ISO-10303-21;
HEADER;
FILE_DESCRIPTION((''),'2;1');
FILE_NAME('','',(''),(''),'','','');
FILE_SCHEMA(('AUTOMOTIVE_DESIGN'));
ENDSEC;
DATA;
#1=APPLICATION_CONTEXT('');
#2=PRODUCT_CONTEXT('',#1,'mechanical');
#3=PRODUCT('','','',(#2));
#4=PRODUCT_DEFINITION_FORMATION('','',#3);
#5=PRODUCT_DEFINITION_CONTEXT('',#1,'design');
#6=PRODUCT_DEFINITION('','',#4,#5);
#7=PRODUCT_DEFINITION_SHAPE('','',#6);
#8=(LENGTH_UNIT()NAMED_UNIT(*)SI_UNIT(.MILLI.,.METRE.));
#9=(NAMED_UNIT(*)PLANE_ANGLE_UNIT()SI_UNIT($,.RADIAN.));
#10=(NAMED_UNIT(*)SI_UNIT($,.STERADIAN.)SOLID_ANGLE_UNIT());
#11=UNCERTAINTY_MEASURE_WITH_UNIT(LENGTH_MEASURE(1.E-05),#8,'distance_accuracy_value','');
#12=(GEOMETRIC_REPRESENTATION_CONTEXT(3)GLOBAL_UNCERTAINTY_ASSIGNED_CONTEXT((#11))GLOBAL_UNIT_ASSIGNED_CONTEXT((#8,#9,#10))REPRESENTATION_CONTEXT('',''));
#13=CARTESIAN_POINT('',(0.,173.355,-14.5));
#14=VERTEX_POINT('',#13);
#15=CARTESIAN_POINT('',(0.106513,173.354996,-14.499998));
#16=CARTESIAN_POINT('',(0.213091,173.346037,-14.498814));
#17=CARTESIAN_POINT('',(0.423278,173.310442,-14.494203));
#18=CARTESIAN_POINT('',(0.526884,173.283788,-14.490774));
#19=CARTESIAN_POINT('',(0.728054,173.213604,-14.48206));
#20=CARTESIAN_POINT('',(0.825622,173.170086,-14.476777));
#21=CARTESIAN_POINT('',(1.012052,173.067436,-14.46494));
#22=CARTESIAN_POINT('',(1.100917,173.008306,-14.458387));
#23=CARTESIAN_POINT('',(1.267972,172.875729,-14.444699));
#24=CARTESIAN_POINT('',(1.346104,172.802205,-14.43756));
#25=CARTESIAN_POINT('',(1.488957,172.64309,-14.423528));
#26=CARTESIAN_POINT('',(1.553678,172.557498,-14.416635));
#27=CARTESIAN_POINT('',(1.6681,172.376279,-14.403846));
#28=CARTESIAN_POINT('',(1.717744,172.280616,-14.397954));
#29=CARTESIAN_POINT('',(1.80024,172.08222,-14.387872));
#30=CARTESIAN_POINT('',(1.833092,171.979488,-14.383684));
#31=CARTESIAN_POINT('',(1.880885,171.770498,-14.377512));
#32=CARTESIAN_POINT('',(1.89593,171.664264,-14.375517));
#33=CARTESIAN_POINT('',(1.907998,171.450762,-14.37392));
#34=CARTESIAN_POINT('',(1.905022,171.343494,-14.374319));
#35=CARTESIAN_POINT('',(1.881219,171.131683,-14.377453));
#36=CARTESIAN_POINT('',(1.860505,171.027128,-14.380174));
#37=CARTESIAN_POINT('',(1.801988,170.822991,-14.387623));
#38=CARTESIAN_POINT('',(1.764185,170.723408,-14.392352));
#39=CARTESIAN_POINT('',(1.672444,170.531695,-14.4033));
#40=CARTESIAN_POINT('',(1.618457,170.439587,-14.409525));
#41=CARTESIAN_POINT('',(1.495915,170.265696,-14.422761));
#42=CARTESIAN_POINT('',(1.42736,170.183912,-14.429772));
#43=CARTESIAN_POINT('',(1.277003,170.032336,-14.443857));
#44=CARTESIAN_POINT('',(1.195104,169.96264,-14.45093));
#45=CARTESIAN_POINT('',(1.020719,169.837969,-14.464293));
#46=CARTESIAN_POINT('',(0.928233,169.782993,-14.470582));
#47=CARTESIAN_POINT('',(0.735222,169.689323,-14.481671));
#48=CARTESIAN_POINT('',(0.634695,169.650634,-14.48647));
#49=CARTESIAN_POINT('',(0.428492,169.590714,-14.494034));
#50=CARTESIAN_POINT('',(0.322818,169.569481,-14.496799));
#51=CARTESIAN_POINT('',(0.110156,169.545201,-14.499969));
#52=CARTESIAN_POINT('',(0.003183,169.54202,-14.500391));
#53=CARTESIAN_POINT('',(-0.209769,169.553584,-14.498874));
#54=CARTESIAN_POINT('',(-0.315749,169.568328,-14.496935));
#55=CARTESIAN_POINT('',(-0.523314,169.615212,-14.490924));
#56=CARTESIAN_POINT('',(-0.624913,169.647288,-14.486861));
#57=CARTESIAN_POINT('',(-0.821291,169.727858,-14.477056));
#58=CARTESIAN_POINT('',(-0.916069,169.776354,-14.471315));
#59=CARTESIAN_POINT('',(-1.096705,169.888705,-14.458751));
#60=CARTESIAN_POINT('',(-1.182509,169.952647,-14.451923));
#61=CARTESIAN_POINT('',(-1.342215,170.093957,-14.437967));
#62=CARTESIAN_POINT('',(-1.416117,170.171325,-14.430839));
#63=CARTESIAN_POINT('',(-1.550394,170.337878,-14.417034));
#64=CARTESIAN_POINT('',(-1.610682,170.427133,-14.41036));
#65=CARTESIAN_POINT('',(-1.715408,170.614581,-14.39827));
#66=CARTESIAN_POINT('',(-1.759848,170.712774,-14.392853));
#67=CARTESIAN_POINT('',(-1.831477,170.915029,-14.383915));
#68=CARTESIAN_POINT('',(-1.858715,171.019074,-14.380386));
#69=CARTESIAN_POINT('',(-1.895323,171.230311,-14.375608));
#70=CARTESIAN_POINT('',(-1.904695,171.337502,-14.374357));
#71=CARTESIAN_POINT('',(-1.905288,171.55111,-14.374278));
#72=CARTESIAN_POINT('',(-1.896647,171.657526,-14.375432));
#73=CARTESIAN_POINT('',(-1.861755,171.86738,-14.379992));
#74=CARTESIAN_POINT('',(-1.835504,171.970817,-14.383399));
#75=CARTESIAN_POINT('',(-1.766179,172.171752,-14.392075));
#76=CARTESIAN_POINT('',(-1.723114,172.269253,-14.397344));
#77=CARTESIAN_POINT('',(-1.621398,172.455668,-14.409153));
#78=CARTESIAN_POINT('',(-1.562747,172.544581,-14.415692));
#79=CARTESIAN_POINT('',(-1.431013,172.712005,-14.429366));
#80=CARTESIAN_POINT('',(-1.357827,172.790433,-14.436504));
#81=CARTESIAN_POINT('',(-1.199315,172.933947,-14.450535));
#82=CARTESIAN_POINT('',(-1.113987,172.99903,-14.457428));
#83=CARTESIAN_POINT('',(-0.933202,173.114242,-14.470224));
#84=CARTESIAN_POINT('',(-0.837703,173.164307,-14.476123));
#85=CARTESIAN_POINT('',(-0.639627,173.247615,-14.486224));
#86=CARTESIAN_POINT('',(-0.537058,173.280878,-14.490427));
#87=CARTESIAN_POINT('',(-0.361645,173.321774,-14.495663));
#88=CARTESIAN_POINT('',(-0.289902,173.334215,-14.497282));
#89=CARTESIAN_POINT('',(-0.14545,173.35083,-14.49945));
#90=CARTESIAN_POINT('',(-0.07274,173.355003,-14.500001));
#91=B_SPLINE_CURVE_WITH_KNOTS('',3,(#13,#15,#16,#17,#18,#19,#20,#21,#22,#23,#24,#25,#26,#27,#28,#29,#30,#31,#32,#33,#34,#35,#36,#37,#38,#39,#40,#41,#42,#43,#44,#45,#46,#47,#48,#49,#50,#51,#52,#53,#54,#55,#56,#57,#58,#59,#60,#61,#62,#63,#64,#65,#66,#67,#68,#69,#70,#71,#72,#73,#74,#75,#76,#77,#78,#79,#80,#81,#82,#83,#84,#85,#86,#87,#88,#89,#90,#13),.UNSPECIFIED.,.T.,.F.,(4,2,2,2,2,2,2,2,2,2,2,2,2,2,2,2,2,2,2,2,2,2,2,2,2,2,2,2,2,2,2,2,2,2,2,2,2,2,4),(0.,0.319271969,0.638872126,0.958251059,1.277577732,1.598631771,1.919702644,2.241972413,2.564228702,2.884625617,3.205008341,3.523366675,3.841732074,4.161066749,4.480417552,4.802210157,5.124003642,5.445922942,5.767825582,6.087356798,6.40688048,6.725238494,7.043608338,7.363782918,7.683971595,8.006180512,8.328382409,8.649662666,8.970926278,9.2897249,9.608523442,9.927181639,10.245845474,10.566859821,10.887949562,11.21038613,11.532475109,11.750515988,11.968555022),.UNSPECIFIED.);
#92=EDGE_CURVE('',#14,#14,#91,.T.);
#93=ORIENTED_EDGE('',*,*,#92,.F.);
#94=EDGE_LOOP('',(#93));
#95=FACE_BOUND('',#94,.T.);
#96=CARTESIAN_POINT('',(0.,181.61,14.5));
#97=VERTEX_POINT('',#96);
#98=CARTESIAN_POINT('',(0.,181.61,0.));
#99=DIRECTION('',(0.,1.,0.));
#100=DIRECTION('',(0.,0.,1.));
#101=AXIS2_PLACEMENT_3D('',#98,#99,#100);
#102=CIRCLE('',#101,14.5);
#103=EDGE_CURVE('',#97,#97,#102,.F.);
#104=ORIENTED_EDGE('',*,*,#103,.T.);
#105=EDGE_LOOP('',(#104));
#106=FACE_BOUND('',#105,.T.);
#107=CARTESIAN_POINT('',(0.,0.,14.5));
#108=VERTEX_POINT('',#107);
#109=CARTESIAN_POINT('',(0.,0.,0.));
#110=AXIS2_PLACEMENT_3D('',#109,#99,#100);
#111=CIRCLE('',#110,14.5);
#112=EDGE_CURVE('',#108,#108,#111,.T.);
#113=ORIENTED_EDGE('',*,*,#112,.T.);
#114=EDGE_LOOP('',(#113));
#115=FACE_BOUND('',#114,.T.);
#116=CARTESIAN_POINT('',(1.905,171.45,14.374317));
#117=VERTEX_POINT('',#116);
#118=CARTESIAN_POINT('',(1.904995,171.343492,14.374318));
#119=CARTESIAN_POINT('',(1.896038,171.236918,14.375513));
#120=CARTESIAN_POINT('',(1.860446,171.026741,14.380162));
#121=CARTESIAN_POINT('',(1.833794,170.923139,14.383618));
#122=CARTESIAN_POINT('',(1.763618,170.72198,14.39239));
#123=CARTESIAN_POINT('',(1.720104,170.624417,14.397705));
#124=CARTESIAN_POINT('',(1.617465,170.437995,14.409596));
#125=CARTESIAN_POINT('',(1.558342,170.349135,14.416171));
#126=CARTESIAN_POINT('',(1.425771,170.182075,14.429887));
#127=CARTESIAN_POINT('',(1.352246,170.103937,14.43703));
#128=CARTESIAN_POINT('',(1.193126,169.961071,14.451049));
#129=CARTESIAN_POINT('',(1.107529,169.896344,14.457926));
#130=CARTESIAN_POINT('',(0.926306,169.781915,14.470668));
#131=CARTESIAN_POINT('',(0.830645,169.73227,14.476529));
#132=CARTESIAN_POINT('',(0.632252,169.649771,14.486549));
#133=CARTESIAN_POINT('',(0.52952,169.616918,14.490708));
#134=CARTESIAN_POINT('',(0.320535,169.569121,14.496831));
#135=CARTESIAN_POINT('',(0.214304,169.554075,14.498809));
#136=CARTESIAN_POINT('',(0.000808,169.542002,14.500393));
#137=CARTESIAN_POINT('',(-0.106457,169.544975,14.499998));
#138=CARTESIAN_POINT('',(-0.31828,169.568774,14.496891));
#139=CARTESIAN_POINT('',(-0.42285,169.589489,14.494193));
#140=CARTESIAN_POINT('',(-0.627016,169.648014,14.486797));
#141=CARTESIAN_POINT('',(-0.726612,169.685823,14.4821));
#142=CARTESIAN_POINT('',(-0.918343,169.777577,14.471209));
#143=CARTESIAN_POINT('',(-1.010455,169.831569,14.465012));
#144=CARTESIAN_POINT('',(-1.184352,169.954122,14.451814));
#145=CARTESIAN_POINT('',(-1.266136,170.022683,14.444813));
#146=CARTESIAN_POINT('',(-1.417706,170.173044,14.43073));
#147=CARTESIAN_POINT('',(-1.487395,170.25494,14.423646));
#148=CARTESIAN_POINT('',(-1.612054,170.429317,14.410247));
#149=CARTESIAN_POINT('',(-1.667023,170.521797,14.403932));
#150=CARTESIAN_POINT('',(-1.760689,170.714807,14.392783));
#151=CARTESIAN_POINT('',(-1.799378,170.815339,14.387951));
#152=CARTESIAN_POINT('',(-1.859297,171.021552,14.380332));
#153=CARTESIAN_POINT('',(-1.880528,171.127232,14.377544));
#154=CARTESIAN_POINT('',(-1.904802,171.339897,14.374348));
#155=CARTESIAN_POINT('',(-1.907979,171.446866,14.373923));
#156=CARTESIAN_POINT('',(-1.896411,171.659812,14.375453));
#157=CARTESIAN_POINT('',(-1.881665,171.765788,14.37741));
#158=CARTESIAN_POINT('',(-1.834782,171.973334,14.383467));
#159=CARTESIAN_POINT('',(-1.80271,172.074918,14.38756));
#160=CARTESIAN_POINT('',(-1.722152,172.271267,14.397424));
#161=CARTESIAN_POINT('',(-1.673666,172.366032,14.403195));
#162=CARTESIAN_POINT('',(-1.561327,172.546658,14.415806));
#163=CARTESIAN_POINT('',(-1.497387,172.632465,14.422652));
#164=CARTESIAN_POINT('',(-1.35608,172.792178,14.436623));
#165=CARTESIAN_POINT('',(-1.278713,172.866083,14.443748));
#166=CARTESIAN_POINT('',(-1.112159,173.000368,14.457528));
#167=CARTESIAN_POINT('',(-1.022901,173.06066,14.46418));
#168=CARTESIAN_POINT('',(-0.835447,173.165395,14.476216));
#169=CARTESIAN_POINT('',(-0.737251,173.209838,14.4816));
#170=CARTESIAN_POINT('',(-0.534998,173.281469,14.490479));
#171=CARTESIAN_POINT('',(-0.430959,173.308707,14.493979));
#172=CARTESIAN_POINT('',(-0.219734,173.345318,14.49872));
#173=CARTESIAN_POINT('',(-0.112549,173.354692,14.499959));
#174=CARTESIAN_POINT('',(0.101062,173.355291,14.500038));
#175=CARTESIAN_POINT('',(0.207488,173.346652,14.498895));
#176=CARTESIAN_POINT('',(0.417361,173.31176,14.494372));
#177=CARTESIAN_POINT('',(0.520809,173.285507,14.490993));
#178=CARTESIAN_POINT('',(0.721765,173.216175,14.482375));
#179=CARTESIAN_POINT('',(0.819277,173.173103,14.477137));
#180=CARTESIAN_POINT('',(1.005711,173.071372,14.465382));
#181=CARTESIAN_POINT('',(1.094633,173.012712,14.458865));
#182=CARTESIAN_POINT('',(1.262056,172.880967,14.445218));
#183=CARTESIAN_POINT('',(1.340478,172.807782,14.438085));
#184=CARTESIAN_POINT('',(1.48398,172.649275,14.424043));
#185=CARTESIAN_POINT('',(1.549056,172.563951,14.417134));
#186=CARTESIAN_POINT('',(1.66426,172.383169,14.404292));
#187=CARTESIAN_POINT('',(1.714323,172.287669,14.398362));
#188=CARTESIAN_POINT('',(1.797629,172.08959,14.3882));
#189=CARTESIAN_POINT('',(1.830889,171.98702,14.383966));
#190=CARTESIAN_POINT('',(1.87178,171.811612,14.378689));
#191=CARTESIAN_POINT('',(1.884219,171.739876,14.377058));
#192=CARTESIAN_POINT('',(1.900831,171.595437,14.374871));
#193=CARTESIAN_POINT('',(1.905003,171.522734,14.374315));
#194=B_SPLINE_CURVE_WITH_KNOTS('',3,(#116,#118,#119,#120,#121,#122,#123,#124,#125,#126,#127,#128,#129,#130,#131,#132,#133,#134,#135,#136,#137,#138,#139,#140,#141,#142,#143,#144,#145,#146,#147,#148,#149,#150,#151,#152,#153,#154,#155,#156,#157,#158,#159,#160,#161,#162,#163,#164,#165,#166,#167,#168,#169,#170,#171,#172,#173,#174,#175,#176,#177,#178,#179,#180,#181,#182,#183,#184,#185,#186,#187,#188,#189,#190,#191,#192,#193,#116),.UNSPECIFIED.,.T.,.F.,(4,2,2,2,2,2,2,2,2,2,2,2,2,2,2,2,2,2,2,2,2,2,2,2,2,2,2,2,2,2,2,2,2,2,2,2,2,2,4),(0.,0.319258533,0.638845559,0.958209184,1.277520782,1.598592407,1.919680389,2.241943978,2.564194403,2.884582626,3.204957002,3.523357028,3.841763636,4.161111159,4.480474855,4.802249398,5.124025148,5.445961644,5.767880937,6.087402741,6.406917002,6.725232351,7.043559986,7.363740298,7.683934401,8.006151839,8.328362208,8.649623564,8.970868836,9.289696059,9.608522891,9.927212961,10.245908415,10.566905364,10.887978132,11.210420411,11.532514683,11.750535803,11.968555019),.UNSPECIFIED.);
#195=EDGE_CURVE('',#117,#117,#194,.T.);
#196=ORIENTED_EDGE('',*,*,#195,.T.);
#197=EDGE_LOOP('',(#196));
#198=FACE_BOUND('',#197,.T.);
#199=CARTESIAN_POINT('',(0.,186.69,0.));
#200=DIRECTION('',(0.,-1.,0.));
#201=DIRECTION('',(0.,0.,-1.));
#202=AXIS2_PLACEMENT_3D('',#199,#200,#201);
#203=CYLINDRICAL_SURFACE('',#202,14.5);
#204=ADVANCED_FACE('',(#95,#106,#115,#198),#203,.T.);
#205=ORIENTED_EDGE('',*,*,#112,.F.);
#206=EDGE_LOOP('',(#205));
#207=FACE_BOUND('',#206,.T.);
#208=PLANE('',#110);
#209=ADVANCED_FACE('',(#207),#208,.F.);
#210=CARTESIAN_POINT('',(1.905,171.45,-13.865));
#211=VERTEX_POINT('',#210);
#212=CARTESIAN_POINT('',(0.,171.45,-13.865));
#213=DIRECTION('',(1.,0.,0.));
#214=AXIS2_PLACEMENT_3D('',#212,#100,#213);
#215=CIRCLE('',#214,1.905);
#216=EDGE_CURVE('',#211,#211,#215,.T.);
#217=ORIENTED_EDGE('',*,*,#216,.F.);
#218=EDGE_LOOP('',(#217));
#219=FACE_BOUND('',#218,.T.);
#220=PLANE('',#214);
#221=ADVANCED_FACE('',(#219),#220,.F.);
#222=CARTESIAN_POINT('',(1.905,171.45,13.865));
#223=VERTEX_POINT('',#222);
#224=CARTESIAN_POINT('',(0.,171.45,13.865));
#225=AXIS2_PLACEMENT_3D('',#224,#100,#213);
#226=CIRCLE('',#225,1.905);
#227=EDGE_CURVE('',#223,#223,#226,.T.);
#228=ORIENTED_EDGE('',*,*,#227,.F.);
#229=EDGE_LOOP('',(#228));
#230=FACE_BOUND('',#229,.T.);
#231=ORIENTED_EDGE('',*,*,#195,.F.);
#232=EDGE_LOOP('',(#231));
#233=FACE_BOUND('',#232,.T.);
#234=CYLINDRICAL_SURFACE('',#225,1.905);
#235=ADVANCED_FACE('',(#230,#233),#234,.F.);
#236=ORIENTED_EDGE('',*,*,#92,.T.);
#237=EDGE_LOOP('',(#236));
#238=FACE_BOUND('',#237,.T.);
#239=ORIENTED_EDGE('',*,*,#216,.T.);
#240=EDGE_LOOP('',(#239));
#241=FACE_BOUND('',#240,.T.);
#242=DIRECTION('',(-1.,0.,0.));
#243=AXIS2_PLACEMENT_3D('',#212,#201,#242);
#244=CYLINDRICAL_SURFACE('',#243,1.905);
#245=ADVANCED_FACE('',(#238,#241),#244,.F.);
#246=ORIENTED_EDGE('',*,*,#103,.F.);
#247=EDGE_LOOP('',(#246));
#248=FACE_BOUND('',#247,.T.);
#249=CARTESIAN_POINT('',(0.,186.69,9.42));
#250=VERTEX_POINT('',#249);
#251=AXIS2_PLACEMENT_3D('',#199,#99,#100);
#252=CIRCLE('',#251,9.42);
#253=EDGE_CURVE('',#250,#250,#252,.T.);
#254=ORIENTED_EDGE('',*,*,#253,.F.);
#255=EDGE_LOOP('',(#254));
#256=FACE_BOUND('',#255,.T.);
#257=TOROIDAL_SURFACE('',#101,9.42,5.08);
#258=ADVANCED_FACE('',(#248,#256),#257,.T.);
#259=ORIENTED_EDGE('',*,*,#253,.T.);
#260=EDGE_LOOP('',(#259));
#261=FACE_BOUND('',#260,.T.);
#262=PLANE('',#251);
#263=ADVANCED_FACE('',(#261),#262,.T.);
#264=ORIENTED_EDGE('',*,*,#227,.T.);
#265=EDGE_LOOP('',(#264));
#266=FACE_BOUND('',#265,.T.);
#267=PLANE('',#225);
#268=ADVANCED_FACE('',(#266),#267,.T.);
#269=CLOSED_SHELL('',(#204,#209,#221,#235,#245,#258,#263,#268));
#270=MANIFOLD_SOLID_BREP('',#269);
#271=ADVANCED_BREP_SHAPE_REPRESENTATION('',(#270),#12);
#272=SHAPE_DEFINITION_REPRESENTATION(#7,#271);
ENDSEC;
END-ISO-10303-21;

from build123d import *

# Parameters (mm, degrees)
SKETCH1_R           = 14.5
BOSS_EXTRUDE1_DEPTH = 186.69
FILLET1_R           = 5.08
SKETCH5_R           = 1.905
CUT_EXTRUDE4_DEPTH  = 0.635
SKETCH2_R           = 1.905
CUT_EXTRUDE5_DEPTH  = 0.635


with BuildPart() as part:
    # Sketch1 → Boss-Extrude1 (new body)
    with BuildSketch(Plane(origin=(0, 0, 0), x_dir=(1, 0, 0), z_dir=(0, 1, 0))):
        Circle(SKETCH1_R)
    extrude(amount=BOSS_EXTRUDE1_DEPTH)

    # Fillet1
    fillet1_edges = [part.edges().sort_by_distance(p)[0] for p in [
        (-14.5, 186.69, 0),
    ]]
    fillet(fillet1_edges, radius=FILLET1_R)

    # Sketch5 → Cut-Extrude4 (cut)
    with BuildSketch(Plane.XY.offset(-14.499999956)):
        with Locations((0, 171.45)):
            Circle(SKETCH5_R)
    extrude(amount=CUT_EXTRUDE4_DEPTH, mode=Mode.SUBTRACT)

    # Sketch2 → Cut-Extrude5 (cut)
    with BuildSketch(Plane.XY.offset(14.499999956)):
        with Locations((0, 171.45)):
            Circle(SKETCH2_R)
    extrude(amount=-CUT_EXTRUDE5_DEPTH, mode=Mode.SUBTRACT)


solid = part.part
